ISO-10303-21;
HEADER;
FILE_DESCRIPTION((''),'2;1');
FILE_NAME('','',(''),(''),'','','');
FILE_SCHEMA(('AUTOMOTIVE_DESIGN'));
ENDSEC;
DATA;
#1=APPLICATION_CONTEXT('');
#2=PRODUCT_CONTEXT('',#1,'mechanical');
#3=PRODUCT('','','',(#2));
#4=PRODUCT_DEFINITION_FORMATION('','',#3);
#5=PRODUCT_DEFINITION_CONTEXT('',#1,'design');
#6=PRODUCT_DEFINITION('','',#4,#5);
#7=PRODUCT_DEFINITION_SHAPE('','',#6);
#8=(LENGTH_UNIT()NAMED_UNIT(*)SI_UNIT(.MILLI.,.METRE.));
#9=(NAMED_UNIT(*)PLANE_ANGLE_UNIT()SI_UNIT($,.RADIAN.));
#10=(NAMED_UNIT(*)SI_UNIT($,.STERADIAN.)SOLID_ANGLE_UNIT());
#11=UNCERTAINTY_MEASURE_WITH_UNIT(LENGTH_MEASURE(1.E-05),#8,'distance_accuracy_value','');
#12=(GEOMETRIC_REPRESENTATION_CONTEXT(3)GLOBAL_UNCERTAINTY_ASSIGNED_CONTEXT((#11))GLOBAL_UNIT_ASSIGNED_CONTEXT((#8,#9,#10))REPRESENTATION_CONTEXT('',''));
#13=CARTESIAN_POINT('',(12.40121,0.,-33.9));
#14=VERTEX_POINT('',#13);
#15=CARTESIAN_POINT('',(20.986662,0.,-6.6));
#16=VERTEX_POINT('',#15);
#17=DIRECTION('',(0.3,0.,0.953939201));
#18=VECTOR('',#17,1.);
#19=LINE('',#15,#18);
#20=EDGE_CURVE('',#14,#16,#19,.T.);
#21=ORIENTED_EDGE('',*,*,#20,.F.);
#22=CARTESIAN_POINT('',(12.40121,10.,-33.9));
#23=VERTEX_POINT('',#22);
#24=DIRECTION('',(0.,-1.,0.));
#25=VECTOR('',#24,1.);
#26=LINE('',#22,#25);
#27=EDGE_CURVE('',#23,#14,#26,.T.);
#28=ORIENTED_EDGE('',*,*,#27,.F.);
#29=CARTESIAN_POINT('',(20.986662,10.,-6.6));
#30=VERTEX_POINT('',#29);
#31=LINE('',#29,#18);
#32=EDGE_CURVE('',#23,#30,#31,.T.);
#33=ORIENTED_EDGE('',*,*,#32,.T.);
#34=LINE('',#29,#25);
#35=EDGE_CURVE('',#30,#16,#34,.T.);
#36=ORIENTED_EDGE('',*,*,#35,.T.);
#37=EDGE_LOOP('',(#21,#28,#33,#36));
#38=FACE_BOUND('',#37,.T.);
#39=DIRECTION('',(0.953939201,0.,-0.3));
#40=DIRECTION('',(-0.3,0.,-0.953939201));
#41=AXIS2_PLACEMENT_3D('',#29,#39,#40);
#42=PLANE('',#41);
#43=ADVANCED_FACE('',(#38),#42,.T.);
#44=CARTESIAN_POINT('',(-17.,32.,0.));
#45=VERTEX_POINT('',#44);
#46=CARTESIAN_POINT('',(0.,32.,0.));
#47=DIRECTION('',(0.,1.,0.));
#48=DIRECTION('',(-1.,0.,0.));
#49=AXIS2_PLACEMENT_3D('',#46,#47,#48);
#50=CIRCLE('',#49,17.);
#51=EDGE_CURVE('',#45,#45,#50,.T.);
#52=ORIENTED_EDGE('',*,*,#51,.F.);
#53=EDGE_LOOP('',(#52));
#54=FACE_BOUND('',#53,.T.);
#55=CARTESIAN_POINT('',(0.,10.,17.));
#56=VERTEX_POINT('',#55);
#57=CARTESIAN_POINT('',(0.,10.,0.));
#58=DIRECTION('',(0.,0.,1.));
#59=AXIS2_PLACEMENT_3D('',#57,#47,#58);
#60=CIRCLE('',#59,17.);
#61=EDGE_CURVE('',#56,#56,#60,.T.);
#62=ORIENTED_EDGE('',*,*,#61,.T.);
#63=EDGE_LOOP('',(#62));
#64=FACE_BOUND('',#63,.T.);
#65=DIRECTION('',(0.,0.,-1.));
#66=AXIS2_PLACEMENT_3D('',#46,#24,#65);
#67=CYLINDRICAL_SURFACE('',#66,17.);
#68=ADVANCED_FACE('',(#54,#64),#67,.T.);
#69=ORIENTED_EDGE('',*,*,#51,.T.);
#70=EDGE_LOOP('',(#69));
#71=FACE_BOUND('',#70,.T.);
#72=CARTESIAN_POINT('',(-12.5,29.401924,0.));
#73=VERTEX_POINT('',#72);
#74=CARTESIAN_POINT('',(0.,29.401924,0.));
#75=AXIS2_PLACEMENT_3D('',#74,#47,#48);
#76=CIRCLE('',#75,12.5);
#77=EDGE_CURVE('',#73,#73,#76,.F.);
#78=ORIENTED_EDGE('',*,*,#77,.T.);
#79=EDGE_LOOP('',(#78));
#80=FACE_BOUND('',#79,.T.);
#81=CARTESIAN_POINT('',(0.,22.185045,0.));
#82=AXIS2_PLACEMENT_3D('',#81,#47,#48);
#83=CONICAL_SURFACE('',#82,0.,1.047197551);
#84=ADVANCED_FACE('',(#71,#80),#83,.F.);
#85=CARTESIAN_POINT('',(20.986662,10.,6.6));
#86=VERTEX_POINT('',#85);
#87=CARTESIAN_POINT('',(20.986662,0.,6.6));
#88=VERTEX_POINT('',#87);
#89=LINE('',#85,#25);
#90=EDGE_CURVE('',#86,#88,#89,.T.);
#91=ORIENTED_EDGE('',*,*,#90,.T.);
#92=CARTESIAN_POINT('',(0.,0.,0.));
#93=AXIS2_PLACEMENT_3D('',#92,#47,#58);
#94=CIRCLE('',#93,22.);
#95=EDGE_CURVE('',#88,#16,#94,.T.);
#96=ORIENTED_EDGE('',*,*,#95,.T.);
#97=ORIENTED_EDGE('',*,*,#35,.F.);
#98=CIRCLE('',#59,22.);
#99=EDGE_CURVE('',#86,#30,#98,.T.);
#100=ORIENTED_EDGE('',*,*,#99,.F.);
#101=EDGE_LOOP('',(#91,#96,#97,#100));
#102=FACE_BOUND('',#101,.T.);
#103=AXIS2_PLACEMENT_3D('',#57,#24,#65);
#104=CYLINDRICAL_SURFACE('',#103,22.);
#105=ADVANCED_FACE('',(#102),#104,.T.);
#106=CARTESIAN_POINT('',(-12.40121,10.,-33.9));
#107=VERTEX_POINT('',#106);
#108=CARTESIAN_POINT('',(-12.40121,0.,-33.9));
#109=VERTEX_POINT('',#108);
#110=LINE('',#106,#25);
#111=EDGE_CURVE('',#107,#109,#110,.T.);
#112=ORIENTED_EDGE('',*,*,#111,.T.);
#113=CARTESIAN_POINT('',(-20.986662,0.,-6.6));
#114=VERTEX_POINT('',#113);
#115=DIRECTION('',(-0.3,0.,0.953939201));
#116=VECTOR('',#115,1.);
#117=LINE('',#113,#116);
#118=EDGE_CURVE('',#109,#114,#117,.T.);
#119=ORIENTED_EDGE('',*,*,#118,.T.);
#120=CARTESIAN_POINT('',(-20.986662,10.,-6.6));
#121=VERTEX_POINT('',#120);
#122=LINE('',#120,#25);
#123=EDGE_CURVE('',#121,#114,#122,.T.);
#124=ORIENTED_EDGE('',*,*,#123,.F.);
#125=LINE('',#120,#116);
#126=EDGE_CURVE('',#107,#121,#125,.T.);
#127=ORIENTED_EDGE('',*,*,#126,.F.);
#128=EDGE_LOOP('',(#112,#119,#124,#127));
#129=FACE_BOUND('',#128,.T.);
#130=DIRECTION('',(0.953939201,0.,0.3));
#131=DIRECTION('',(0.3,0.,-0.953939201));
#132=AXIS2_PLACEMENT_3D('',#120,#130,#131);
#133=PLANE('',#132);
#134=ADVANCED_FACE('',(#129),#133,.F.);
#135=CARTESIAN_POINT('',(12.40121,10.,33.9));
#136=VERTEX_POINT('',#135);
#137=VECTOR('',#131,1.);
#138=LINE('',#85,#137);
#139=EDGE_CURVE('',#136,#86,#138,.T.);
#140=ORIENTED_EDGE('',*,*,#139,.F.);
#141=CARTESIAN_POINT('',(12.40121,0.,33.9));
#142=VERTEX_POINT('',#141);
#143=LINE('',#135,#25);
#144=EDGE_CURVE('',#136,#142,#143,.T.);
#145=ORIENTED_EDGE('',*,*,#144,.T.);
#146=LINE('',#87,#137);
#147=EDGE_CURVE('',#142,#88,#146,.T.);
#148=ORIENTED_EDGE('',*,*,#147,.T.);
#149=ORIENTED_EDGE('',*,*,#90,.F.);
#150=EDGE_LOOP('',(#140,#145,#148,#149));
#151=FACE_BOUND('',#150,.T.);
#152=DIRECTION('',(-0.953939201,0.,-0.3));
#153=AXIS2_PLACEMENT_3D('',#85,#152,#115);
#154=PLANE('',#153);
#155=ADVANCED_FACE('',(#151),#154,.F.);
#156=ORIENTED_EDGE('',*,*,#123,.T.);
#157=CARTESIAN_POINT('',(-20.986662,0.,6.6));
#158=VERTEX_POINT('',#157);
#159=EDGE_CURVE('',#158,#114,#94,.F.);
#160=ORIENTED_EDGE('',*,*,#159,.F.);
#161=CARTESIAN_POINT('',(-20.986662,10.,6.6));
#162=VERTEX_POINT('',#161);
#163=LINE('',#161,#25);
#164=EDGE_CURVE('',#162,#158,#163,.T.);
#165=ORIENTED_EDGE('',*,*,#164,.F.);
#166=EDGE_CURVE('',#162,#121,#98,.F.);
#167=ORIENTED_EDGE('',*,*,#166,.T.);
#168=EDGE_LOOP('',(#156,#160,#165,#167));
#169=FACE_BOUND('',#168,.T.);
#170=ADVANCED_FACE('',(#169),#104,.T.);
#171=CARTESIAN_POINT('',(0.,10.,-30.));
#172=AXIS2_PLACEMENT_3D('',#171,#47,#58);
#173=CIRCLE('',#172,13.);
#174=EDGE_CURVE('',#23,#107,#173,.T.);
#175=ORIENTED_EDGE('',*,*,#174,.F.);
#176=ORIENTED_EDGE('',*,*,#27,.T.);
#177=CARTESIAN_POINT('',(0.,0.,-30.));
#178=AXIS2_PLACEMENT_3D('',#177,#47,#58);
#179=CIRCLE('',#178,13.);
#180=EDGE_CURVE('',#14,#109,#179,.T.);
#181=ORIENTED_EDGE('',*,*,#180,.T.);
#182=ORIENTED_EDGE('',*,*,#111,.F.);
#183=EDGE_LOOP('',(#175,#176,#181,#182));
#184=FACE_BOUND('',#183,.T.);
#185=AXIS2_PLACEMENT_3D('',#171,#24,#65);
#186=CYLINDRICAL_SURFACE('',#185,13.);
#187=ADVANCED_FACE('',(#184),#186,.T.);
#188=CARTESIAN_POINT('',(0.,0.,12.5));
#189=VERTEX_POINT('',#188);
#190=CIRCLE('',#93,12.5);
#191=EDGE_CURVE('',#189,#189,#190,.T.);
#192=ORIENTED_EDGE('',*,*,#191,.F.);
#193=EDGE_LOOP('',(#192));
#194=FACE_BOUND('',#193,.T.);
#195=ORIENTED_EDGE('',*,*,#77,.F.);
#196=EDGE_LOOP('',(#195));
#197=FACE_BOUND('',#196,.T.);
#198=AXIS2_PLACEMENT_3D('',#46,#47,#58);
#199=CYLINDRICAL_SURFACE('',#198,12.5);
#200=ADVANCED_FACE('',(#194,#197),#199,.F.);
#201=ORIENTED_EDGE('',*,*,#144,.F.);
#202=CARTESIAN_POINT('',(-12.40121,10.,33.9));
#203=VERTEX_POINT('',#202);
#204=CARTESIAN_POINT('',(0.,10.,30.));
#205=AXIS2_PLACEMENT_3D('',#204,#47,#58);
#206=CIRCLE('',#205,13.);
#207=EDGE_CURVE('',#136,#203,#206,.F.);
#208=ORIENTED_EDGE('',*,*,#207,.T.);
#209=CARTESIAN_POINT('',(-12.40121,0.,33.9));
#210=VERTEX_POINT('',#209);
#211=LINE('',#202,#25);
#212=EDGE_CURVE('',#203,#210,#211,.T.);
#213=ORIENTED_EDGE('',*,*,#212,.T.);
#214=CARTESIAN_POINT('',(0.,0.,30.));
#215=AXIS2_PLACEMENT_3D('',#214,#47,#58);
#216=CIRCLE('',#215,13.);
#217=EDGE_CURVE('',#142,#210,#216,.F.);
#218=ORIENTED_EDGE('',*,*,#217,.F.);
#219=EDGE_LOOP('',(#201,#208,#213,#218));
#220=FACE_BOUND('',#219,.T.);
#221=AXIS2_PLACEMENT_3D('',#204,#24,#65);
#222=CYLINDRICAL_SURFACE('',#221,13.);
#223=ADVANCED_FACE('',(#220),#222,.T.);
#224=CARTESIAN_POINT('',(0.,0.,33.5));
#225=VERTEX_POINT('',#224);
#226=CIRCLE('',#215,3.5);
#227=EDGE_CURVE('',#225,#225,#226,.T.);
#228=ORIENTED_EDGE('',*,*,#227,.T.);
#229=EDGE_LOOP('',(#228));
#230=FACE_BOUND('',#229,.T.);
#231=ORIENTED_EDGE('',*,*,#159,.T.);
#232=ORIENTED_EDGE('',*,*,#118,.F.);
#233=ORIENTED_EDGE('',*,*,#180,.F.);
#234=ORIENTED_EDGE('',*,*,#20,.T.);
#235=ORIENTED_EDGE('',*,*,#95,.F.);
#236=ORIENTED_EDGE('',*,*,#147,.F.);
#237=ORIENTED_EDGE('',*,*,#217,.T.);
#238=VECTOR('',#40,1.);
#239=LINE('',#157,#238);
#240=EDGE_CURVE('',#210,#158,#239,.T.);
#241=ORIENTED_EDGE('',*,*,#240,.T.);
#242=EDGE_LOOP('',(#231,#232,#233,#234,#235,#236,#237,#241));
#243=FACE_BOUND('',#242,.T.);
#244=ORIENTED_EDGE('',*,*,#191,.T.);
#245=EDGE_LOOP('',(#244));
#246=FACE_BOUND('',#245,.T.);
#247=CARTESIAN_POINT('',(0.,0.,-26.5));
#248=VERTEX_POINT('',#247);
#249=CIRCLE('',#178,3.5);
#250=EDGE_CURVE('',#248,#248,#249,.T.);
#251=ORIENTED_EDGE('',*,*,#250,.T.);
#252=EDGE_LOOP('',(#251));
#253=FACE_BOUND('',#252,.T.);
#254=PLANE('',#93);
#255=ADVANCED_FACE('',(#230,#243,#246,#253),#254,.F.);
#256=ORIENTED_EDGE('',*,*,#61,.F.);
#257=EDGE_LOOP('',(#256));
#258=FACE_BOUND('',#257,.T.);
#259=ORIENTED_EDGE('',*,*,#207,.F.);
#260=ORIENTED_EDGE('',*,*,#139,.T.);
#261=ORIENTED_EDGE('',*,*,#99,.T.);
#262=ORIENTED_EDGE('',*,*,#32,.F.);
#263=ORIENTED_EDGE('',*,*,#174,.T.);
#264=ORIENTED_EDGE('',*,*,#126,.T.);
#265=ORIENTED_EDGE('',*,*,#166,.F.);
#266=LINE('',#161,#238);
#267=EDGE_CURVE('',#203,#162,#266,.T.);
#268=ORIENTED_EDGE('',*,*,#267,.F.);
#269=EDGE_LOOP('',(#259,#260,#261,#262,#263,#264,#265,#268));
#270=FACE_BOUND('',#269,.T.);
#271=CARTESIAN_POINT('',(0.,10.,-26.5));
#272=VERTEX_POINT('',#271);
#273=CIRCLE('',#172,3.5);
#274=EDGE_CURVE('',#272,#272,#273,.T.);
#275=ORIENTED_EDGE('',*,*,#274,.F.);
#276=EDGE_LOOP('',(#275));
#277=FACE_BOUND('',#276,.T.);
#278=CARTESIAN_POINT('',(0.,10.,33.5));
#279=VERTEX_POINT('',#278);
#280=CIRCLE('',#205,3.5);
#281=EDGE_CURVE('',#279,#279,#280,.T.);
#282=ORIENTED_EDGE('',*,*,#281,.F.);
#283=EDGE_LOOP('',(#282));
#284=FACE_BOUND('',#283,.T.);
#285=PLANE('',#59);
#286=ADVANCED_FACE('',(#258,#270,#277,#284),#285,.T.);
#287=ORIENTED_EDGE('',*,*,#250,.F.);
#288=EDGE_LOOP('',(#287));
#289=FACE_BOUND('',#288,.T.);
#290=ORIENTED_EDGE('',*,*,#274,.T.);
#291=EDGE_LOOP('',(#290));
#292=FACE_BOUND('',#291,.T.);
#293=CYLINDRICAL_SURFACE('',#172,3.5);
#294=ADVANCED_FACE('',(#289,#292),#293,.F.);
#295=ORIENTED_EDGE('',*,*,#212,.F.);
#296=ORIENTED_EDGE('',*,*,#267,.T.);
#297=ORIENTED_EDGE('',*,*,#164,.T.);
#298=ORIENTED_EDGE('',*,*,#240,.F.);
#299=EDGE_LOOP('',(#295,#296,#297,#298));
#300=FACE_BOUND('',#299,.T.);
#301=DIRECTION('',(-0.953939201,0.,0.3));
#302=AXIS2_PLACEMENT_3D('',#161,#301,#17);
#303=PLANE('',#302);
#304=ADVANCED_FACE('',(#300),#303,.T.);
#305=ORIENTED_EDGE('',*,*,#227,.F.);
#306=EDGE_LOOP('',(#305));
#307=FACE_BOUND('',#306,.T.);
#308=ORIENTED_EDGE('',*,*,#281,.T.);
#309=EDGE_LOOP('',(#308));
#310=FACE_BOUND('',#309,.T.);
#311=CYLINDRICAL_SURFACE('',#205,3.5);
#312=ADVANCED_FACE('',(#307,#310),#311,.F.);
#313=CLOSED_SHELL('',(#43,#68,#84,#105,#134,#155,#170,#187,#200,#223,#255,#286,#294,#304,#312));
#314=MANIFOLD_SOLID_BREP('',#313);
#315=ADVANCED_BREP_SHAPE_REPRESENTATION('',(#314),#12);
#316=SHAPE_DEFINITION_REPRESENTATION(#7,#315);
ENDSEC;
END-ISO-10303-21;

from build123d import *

# Parameters (mm, degrees)
EXTRUDE_1_DEPTH = 10
SKETCH_2_R      = 17
EXTRUDE_2_DEPTH = 22
MM_1_D          = 7
MM_2_D          = 25


with BuildPart() as part:
    # 草图1 → 凸台-拉伸1 (new body)
    with BuildSketch(Plane(origin=(0, 0, 0), x_dir=(1, 0, 0), z_dir=(0, 1, 0))):
        with BuildLine():
            Line((-12.401209618, 33.9), (-20.986662431, 6.6))
            ThreePointArc((-20.986662431, 6.6), (0, -22), (20.986662431, 6.6))
            Line((20.986662431, 6.6), (12.401209618, 33.9))
            ThreePointArc((12.401209618, 33.9), (0, 43), (-12.401209618, 33.9))
        make_face()
        with BuildLine():
            Line((12.401209618, -33.9), (20.986662431, -6.6))
            ThreePointArc((20.986662431, -6.6), (0, 22), (-20.986662431, -6.6))
            Line((-20.986662431, -6.6), (-12.401209618, -33.9))
            ThreePointArc((-12.401209618, -33.9), (0, -43), (12.401209618, -33.9))
        make_face()
    extrude(amount=EXTRUDE_1_DEPTH)

    # 草图2 → 凸台-拉伸2 (add)
    with BuildSketch(Plane(origin=(0, 10, 0), x_dir=(1, 0, 0), z_dir=(0, 1, 0))):
        with Locations(Location((0, 0, 0), (0, 0, 270))):
            Circle(SKETCH_2_R)
    extrude(amount=EXTRUDE_2_DEPTH)

    # 大小mm 暗销孔1 (through all)
    with Locations(Plane(origin=(0, 10, -30), x_dir=(0, 0, 1), z_dir=(0, 1, 0))):
        with Locations((0, 0), (60, 0)):
            Hole(MM_1_D / 2)

    # 大小mm 暗销孔2 (through all)
    with Locations(Plane.ZX.offset(32)):
        with Locations((0, 0)):
            Hole(MM_2_D / 2)

    # 草图5 → 切除-旋转1 (revolve, cut)
    with BuildSketch(Plane.XY, mode=Mode.PRIVATE) as cut_revolve_1_sk:
        Polygon((0, 22.185045424), (17, 32), (17, 40.592960663), (0, 40.592960663), align=None)
    revolve(cut_revolve_1_sk.sketch.rotate(Axis((0, 32, 0), (0, -1, 0)), 180), axis=Axis((0, 32, 0), (0, -1, 0)), mode=Mode.SUBTRACT)


solid = part.part
